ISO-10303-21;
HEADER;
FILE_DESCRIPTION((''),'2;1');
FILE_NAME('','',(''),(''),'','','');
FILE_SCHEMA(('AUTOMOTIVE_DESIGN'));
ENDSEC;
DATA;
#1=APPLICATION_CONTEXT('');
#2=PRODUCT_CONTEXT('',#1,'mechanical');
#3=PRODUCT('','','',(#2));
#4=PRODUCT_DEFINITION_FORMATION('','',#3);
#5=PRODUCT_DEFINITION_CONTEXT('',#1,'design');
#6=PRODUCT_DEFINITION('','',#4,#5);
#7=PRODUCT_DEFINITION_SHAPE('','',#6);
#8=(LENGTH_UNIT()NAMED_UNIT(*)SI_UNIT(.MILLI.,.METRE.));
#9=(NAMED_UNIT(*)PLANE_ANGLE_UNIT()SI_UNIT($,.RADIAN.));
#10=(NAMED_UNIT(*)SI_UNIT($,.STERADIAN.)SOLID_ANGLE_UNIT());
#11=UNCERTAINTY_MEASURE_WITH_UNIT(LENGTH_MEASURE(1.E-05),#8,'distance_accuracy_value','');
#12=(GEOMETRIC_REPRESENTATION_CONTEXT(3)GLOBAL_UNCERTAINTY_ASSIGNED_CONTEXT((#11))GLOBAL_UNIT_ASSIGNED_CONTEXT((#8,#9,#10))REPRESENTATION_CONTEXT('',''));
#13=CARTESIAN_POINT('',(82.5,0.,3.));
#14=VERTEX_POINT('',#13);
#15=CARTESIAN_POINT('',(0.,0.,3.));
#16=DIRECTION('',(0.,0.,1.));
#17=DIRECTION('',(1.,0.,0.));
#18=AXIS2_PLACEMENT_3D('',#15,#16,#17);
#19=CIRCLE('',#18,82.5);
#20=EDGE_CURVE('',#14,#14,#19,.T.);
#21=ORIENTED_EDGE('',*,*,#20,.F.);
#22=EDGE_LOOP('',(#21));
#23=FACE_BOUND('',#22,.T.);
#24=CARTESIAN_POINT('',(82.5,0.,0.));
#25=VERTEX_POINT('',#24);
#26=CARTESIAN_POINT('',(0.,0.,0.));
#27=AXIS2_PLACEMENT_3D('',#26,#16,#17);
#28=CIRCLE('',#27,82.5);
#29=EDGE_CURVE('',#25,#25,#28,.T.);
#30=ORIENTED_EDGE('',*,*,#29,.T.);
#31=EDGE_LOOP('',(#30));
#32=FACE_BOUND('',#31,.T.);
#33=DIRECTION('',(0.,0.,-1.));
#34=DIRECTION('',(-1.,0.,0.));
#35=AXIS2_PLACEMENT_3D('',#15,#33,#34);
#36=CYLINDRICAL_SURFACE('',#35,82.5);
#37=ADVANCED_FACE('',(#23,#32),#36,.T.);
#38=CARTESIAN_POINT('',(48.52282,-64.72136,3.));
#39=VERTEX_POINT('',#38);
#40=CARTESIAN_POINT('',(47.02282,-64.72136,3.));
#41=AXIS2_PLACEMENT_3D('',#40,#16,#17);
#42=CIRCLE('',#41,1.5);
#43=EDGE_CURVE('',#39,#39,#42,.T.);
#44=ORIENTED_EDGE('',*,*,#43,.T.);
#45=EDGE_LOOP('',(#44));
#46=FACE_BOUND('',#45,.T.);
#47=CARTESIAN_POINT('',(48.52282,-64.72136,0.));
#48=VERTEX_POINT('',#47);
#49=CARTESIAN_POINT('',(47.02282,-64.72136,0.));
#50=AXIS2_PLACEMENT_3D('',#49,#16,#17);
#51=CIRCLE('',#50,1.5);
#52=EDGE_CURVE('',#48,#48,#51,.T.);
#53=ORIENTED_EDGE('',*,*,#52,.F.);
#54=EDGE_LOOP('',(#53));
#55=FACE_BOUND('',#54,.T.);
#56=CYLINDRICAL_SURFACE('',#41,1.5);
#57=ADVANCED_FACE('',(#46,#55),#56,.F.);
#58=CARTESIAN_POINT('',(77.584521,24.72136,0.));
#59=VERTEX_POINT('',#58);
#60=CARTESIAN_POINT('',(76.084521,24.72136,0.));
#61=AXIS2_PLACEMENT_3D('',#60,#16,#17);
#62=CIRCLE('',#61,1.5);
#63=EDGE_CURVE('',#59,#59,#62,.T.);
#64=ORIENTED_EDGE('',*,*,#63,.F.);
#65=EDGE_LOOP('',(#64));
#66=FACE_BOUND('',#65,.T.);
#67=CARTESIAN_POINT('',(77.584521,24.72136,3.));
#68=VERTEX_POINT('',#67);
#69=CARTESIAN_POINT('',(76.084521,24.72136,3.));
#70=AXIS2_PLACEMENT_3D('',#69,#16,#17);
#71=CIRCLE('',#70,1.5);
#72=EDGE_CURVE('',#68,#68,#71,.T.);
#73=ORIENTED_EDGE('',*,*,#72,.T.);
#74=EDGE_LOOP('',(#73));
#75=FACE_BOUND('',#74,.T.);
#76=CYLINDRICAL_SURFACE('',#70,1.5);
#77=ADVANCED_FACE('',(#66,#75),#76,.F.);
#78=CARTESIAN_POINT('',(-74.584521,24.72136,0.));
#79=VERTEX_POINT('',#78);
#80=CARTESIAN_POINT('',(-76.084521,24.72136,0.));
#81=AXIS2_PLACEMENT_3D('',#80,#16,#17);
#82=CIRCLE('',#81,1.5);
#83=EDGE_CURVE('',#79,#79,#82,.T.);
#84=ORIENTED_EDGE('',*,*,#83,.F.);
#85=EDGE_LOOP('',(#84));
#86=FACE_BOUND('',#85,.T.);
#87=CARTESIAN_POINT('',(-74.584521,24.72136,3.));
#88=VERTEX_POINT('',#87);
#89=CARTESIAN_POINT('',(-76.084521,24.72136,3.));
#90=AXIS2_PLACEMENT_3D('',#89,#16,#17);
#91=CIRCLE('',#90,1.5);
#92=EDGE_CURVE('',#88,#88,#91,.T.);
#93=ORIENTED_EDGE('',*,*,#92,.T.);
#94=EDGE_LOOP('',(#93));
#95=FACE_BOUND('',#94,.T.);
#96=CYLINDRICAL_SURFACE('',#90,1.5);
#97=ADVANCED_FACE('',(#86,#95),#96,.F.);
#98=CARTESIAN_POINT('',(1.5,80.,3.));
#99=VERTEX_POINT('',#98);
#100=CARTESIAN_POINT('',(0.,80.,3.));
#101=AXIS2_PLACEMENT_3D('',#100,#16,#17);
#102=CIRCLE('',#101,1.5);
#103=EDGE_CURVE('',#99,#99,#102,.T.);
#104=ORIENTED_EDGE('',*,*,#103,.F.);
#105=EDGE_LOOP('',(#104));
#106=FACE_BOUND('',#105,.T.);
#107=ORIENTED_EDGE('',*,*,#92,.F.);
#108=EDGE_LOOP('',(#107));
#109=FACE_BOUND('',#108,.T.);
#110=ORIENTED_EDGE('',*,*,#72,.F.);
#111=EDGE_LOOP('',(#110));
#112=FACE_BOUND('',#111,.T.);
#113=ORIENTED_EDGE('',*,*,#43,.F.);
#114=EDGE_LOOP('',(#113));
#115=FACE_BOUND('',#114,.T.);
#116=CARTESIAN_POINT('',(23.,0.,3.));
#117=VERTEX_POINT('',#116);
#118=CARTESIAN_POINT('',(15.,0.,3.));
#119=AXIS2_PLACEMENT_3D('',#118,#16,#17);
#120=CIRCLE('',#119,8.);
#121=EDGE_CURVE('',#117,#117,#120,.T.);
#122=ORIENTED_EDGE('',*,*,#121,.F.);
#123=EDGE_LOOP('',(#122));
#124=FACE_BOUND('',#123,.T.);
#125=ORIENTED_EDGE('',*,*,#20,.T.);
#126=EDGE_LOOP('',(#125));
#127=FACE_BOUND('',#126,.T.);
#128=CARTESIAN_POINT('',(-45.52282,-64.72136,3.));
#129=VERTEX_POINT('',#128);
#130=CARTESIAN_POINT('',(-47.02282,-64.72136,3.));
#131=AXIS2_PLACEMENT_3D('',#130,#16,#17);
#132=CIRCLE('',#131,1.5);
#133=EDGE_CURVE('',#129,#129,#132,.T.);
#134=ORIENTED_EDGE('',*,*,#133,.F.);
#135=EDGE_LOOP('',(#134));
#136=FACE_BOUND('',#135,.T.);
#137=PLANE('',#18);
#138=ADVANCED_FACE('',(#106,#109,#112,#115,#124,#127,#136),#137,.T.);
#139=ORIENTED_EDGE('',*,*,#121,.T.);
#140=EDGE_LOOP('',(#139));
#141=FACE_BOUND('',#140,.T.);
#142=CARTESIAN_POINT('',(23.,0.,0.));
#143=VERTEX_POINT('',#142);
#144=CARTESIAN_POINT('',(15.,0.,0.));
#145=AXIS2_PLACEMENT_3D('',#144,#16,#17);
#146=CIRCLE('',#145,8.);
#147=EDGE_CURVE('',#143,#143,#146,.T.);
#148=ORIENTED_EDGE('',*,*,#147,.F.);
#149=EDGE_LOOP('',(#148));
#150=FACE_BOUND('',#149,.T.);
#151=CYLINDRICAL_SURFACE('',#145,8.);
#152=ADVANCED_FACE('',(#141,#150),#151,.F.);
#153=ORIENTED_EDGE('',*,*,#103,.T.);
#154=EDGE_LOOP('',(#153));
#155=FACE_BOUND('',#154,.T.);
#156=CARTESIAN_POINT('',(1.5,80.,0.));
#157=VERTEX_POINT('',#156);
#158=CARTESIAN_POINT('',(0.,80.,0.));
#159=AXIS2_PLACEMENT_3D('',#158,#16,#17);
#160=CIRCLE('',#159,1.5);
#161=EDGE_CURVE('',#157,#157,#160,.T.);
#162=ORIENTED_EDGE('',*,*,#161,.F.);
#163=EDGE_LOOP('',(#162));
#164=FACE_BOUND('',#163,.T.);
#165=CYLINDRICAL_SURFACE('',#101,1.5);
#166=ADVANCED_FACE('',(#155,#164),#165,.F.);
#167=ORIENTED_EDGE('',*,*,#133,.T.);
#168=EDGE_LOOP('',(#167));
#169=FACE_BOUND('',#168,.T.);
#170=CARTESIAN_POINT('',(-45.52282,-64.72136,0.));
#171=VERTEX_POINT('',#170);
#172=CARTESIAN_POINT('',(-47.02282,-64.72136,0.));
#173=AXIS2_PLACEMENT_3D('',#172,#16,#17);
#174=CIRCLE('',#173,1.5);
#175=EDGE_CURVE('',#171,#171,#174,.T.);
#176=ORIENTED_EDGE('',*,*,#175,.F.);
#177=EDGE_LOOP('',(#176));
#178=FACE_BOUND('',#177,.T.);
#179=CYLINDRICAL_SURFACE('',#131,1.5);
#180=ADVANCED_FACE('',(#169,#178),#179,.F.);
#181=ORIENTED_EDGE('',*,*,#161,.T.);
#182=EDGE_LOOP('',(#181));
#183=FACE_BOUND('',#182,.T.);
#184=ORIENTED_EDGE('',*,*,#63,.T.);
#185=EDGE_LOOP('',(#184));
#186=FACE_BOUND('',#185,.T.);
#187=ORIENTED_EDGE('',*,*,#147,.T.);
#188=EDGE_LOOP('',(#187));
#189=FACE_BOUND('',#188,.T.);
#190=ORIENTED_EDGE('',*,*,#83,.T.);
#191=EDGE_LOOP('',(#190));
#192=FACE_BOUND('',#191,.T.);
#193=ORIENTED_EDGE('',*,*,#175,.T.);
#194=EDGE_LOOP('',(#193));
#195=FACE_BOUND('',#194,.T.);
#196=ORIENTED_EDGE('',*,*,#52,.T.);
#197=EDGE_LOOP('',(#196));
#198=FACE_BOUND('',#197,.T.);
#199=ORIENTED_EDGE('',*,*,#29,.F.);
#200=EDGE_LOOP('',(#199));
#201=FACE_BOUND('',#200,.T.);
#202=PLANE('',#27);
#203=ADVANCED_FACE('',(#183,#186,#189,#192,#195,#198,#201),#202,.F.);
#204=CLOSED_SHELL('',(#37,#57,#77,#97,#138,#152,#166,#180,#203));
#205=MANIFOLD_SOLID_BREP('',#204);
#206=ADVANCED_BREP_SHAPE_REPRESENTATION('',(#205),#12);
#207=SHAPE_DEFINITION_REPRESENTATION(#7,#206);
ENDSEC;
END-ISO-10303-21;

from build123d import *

# Parameters (mm, degrees)
SKETCH1_R             = 82.5
BOSS_EXTRUDE1_DEPTH   = 3
F_3_0MM_DOWEL_HOLE1_D = 3
CIRPATTERN1_COUNT     = 5
SKETCH4_R             = 8
CUT_EXTRUDE1_DEPTH    = 117.711181984


with BuildPart() as part:
    # Sketch1 → Boss-Extrude1 (new body)
    with BuildSketch(Plane.XY):
        Circle(SKETCH1_R)
    extrude(amount=BOSS_EXTRUDE1_DEPTH)

    # Ø3.0mm Dowel Hole1 (through all)
    with Locations(Plane(origin=(0, 80, 3), x_dir=(1, 0, 0), z_dir=(0, 0, 1))):
        with Locations((0, 0)):
            f_3_0mm_dowel_hole1 = Hole(F_3_0MM_DOWEL_HOLE1_D / 2)

    # CirPattern1: Ø3.0mm Dowel Hole1 ×5 about axis
    cirpattern1_axis = Axis((0, 0, 0), (0, 0, 1))
    for i in range(1, CIRPATTERN1_COUNT):
        add(f_3_0mm_dowel_hole1.rotate(cirpattern1_axis, i * 360 / CIRPATTERN1_COUNT), mode=Mode.SUBTRACT)

    # Sketch4 → Cut-Extrude1 (cut, through all)
    with BuildSketch(Plane.XY.offset(3)):
        with Locations((15, 0)):
            Circle(SKETCH4_R)
    extrude(amount=-CUT_EXTRUDE1_DEPTH, mode=Mode.SUBTRACT)


solid = part.part
